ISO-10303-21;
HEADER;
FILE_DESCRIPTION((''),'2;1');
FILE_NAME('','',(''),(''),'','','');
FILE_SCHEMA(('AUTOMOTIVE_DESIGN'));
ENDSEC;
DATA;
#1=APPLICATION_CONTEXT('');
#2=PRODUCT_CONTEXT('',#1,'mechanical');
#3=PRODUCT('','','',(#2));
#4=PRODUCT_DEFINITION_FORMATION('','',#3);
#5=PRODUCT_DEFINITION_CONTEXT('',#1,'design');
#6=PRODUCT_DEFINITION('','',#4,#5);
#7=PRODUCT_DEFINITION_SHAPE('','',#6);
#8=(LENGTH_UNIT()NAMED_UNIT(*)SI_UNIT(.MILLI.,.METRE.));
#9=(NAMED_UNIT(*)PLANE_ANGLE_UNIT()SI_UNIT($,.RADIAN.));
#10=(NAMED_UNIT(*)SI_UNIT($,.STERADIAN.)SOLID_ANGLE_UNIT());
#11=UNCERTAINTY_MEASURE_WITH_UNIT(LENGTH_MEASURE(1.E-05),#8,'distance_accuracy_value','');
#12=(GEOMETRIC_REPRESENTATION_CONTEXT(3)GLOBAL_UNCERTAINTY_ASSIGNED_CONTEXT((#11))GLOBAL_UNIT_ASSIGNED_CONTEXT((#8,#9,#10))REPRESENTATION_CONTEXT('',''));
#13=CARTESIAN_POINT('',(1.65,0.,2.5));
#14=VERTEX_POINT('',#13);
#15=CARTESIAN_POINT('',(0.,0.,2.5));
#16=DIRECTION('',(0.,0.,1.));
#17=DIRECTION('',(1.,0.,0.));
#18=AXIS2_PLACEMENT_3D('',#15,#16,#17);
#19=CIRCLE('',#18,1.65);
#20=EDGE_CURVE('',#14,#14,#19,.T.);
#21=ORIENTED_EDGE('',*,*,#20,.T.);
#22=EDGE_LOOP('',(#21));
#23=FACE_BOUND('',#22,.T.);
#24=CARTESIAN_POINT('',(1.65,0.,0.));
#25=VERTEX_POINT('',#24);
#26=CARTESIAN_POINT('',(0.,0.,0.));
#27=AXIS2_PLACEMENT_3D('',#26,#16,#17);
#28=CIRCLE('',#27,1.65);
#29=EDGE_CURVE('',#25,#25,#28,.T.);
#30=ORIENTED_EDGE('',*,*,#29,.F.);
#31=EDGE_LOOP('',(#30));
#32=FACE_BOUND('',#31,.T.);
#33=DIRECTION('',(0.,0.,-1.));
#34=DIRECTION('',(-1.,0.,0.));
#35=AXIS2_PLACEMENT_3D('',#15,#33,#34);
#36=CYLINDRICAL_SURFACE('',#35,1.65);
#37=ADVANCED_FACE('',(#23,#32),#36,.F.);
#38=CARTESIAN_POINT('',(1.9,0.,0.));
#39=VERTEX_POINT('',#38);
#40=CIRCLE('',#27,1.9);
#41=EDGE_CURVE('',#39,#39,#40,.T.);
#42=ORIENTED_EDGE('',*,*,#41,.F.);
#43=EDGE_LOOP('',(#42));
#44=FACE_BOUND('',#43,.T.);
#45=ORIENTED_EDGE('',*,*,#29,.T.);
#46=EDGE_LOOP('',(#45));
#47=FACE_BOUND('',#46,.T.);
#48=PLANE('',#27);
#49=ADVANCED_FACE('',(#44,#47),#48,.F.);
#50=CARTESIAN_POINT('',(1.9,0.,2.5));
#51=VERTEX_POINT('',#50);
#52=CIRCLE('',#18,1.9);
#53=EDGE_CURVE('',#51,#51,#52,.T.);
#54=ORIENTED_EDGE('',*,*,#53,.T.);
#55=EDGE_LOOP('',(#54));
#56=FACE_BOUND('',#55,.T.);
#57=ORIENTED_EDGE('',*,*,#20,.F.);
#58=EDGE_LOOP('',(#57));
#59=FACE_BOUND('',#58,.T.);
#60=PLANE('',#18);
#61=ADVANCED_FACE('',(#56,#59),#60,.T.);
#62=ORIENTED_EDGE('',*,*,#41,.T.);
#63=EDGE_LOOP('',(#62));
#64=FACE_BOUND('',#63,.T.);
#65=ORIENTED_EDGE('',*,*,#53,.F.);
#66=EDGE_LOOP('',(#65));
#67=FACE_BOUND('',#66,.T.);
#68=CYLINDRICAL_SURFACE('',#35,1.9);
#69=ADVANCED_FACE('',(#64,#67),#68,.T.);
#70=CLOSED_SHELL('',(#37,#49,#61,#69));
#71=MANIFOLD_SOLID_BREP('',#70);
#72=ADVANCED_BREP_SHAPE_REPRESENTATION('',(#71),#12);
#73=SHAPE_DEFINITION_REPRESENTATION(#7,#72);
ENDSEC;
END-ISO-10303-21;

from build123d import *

# Parameters (mm, degrees)
SKETCH_1_R      = 1.9
SKETCH_1_R_2    = 1.65
EXTRUDE_1_DEPTH = 2.5


with BuildPart() as part:
    # ｽｹｯﾁ1 → ﾎﾞｽ - 押し出し1 (new body)
    with BuildSketch(Plane.XY):
        Circle(SKETCH_1_R)
        Circle(SKETCH_1_R_2, mode=Mode.SUBTRACT)
    extrude(amount=EXTRUDE_1_DEPTH)


solid = part.part
